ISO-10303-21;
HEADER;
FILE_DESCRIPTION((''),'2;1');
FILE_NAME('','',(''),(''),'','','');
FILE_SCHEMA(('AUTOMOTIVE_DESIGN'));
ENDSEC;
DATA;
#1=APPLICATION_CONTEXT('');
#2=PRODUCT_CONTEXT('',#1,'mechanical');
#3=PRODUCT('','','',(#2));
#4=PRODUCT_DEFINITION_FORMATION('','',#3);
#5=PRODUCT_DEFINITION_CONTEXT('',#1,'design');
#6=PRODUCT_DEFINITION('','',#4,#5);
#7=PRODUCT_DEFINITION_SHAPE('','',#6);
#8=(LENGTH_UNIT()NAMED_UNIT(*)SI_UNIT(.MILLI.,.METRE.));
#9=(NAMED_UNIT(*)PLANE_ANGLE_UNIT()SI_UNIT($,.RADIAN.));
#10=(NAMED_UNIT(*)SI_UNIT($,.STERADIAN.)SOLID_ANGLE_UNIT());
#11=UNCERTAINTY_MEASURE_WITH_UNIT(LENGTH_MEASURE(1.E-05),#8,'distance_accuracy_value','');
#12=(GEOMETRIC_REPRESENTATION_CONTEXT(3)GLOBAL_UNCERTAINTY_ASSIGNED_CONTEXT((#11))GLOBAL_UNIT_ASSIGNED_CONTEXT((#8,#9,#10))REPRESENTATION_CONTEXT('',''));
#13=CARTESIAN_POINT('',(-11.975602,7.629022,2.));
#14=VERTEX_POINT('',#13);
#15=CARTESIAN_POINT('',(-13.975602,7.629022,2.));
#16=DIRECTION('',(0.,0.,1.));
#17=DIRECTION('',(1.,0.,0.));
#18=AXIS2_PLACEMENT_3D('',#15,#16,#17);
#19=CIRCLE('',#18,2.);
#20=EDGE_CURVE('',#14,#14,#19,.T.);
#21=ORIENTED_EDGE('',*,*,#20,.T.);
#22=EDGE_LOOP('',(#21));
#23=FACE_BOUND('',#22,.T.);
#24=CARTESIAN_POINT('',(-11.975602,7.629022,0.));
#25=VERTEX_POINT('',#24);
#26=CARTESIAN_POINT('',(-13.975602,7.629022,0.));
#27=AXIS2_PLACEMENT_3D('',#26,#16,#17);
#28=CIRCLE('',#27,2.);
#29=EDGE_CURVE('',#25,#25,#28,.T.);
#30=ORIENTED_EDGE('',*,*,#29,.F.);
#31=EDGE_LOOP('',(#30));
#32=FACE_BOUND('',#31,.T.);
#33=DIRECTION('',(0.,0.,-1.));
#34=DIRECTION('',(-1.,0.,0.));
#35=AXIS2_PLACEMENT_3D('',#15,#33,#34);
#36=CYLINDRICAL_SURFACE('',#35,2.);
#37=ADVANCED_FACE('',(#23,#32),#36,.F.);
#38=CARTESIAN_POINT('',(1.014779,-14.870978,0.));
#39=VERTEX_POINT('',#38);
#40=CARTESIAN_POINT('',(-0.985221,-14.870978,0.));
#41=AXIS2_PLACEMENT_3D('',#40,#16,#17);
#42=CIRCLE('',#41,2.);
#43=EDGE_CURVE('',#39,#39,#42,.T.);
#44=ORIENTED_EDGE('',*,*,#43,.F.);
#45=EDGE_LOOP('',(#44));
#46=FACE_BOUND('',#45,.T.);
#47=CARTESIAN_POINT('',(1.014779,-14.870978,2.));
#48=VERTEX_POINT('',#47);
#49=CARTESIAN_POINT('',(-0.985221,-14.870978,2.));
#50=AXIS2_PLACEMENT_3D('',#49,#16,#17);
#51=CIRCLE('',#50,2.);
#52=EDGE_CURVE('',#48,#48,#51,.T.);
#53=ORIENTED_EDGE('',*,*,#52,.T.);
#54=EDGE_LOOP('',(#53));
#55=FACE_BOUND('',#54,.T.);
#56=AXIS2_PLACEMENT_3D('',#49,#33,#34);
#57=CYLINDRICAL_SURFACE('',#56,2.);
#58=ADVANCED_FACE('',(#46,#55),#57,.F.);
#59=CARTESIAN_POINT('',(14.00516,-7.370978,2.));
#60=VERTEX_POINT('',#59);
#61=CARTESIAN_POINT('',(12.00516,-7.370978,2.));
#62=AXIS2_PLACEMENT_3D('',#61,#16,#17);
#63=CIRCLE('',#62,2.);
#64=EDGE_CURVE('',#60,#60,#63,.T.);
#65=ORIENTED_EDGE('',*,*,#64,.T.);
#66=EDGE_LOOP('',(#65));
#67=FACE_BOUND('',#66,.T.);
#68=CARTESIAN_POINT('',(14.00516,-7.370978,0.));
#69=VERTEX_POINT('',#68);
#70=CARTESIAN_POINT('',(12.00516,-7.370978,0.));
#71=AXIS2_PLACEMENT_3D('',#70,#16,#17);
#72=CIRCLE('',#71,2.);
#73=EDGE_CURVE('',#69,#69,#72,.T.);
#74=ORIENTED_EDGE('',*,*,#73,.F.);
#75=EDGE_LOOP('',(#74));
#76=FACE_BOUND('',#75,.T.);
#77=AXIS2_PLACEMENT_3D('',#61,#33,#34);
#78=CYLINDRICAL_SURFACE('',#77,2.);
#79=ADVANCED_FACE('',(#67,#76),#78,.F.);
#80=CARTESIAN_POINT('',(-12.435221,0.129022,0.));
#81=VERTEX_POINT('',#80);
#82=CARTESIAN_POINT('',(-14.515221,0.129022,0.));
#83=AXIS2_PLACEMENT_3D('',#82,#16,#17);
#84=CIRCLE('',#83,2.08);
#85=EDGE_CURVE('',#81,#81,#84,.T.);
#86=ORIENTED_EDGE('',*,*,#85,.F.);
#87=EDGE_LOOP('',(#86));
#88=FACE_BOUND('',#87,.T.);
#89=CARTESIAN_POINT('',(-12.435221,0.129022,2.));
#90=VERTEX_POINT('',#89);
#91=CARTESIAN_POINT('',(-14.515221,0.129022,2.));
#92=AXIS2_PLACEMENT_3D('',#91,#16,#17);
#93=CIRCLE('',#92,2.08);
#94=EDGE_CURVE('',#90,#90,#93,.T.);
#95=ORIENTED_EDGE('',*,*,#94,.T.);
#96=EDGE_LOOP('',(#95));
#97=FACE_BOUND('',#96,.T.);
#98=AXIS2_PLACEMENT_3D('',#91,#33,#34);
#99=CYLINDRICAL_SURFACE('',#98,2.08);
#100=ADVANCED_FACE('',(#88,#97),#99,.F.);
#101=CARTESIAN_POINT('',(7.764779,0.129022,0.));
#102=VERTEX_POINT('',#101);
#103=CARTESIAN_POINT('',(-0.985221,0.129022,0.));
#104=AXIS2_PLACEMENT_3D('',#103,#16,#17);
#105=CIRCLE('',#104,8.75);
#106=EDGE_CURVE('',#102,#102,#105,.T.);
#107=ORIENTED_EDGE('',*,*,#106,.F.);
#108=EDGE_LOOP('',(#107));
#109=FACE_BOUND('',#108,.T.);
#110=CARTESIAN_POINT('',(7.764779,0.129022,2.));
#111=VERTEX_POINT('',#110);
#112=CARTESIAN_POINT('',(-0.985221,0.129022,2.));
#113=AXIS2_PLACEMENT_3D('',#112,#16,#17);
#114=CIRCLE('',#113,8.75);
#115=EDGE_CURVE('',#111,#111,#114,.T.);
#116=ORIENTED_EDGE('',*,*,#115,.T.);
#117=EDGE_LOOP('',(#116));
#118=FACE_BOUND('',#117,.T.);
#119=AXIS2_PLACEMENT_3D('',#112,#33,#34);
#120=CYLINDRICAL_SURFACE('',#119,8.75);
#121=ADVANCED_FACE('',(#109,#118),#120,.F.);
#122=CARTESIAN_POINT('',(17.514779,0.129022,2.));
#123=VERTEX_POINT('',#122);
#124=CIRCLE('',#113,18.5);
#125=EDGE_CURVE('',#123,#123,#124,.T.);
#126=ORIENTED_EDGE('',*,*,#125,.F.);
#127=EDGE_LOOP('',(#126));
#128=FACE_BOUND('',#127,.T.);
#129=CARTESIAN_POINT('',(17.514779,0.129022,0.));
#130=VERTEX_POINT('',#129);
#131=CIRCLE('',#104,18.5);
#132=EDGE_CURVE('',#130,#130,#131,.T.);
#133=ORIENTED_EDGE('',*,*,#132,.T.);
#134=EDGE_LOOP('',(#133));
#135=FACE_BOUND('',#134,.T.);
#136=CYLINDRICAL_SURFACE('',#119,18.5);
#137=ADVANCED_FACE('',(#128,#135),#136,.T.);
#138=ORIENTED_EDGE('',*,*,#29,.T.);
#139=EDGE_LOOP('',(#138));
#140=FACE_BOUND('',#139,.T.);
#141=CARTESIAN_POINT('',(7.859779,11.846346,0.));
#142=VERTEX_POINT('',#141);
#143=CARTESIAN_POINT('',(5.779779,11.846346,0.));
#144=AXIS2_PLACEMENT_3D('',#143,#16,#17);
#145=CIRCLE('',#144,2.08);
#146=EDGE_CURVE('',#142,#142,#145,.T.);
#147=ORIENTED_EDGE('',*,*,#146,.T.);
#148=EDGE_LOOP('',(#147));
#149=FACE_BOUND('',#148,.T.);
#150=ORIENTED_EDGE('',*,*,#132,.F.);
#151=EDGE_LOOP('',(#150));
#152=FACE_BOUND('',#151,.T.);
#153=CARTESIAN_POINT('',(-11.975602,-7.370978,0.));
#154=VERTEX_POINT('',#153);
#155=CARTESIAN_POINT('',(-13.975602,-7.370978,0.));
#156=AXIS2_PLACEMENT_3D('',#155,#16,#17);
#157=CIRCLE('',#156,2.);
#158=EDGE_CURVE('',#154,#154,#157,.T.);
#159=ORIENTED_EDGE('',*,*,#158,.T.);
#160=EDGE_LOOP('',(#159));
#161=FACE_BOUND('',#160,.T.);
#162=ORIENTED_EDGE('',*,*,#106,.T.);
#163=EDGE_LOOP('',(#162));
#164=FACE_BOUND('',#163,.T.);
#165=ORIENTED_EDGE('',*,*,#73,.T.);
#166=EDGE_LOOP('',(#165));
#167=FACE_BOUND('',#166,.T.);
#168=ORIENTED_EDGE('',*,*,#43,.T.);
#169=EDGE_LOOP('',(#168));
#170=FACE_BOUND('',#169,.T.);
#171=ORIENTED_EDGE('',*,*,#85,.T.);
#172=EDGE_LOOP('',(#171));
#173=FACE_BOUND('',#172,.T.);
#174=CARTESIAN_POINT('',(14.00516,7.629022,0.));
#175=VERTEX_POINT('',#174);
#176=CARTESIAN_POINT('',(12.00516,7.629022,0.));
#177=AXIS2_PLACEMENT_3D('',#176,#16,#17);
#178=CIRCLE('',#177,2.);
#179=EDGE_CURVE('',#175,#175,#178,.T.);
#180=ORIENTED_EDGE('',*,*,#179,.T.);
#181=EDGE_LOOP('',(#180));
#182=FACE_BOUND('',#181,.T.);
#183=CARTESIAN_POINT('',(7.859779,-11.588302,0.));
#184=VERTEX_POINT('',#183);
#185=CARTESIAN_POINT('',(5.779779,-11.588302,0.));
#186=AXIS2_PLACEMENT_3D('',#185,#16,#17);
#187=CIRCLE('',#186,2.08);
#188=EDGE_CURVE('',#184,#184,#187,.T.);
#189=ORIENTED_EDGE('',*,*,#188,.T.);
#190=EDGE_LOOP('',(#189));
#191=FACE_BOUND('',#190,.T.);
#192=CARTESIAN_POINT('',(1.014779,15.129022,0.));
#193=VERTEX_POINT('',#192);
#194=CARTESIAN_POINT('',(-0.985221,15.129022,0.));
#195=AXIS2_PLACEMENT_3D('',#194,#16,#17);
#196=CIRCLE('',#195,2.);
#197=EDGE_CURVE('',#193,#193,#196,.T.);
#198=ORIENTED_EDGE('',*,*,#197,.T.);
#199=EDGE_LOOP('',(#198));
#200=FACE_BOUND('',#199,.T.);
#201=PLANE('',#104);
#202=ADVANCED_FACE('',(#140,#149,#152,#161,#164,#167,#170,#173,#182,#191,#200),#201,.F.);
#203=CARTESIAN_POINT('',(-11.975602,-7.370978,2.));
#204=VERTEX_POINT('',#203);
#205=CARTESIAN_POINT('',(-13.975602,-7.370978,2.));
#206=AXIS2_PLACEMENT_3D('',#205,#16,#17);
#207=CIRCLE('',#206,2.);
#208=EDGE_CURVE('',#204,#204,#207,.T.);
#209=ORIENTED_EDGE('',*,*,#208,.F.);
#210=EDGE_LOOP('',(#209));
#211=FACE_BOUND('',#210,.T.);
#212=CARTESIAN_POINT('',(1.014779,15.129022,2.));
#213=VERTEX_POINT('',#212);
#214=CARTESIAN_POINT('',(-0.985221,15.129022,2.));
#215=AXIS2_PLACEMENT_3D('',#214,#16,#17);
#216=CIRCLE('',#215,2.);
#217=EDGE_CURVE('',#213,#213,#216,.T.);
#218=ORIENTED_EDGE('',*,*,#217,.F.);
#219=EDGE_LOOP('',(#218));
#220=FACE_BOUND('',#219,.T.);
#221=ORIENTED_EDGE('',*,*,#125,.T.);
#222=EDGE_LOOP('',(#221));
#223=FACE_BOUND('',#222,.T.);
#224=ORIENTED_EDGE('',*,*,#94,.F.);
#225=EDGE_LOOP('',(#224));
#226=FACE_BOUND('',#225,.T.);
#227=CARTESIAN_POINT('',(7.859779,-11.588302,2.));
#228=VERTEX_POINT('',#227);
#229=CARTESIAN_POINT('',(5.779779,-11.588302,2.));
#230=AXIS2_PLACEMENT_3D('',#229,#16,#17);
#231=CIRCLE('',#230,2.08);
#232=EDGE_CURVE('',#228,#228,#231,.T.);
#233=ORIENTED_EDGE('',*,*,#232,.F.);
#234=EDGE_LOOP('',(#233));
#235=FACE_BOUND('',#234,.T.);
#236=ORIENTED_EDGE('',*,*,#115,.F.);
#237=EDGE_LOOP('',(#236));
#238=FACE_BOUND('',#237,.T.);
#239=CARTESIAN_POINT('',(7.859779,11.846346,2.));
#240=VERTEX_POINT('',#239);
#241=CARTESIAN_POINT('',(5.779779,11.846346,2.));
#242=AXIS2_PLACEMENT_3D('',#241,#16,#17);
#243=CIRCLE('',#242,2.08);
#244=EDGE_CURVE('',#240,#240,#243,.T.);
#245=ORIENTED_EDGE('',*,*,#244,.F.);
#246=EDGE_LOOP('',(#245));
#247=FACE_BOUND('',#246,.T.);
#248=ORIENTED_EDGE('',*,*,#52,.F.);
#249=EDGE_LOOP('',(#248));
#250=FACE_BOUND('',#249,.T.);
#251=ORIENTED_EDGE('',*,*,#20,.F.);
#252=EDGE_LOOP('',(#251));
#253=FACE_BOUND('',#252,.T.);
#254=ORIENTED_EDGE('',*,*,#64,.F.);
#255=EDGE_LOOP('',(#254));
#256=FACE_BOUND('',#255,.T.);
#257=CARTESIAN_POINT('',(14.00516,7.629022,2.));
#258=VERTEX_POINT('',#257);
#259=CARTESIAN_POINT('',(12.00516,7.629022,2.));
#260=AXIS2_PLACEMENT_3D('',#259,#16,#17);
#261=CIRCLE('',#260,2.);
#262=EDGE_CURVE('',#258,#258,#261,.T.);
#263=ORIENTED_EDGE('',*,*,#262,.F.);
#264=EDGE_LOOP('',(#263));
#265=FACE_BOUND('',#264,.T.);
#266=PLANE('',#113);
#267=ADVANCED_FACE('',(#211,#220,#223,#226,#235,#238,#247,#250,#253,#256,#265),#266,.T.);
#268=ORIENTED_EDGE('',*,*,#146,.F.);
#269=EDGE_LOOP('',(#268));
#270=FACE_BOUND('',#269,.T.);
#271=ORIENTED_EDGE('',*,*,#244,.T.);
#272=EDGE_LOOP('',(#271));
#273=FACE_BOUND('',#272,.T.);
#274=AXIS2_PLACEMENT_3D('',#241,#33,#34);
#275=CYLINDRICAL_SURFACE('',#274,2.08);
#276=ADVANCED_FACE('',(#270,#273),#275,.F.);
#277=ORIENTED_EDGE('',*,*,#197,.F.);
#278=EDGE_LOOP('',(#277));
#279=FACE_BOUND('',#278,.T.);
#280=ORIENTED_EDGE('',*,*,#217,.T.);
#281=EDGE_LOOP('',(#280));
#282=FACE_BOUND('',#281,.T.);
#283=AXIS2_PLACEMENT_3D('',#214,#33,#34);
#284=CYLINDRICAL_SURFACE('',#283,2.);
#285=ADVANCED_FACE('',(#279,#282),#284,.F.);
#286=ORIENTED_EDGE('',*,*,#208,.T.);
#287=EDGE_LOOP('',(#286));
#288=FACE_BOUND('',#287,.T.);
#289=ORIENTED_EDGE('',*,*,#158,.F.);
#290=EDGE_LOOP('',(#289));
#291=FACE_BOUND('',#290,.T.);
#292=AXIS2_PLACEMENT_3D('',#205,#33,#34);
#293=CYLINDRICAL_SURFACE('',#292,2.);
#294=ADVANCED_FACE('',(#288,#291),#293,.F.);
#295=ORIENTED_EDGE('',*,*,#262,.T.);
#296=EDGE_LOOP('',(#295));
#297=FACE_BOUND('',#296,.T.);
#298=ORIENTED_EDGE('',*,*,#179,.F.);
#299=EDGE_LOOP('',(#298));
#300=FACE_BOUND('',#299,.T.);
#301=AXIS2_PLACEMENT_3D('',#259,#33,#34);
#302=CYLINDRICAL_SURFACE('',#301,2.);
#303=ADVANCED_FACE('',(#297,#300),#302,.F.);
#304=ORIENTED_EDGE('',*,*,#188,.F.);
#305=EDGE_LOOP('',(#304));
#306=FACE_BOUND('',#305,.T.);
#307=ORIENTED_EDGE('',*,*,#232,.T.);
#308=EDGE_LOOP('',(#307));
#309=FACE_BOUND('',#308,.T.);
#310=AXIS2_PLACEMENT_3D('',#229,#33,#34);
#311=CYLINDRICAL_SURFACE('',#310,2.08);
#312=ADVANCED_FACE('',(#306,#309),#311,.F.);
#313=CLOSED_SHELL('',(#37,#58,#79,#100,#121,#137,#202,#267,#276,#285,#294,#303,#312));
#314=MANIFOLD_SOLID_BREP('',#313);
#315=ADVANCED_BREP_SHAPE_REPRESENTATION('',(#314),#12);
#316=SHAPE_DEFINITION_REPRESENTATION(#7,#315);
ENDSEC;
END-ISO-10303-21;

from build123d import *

# Parameters (mm, degrees)
SKETCH_1_R      = 18.5
SKETCH_1_R_2    = 2
SKETCH_1_R_3    = 2.08
SKETCH_1_R_4    = 8.75
EXTRUDE_1_DEPTH = 2


with BuildPart() as part:
    # 草图1 → 凸台-拉伸1 (new body)
    with BuildSketch(Plane.XY):
        with Locations((-0.985220571, 0.129022057)):
            Circle(SKETCH_1_R)
        with Locations((-0.985220571, -14.870977943)):
            Circle(SKETCH_1_R_2, mode=Mode.SUBTRACT)
        with Locations((-13.975601628, -7.370977943)):
            Circle(SKETCH_1_R_2, mode=Mode.SUBTRACT)
        with Locations((-13.975601628, 7.629022057)):
            Circle(SKETCH_1_R_2, mode=Mode.SUBTRACT)
        with Locations((-0.985220571, 15.129022057)):
            Circle(SKETCH_1_R_2, mode=Mode.SUBTRACT)
        with Locations((12.005160486, 7.629022057)):
            Circle(SKETCH_1_R_2, mode=Mode.SUBTRACT)
        with Locations((12.005160486, -7.370977943)):
            Circle(SKETCH_1_R_2, mode=Mode.SUBTRACT)
        with Locations((-14.515220571, 0.129022057)):
            Circle(SKETCH_1_R_3, mode=Mode.SUBTRACT)
        with Locations((5.779779429, 11.84634577)):
            Circle(SKETCH_1_R_3, mode=Mode.SUBTRACT)
        with Locations((5.779779429, -11.588301656)):
            Circle(SKETCH_1_R_3, mode=Mode.SUBTRACT)
        with Locations((-0.985220571, 0.129022057)):
            Circle(SKETCH_1_R_4, mode=Mode.SUBTRACT)
    extrude(amount=EXTRUDE_1_DEPTH)


solid = part.part
